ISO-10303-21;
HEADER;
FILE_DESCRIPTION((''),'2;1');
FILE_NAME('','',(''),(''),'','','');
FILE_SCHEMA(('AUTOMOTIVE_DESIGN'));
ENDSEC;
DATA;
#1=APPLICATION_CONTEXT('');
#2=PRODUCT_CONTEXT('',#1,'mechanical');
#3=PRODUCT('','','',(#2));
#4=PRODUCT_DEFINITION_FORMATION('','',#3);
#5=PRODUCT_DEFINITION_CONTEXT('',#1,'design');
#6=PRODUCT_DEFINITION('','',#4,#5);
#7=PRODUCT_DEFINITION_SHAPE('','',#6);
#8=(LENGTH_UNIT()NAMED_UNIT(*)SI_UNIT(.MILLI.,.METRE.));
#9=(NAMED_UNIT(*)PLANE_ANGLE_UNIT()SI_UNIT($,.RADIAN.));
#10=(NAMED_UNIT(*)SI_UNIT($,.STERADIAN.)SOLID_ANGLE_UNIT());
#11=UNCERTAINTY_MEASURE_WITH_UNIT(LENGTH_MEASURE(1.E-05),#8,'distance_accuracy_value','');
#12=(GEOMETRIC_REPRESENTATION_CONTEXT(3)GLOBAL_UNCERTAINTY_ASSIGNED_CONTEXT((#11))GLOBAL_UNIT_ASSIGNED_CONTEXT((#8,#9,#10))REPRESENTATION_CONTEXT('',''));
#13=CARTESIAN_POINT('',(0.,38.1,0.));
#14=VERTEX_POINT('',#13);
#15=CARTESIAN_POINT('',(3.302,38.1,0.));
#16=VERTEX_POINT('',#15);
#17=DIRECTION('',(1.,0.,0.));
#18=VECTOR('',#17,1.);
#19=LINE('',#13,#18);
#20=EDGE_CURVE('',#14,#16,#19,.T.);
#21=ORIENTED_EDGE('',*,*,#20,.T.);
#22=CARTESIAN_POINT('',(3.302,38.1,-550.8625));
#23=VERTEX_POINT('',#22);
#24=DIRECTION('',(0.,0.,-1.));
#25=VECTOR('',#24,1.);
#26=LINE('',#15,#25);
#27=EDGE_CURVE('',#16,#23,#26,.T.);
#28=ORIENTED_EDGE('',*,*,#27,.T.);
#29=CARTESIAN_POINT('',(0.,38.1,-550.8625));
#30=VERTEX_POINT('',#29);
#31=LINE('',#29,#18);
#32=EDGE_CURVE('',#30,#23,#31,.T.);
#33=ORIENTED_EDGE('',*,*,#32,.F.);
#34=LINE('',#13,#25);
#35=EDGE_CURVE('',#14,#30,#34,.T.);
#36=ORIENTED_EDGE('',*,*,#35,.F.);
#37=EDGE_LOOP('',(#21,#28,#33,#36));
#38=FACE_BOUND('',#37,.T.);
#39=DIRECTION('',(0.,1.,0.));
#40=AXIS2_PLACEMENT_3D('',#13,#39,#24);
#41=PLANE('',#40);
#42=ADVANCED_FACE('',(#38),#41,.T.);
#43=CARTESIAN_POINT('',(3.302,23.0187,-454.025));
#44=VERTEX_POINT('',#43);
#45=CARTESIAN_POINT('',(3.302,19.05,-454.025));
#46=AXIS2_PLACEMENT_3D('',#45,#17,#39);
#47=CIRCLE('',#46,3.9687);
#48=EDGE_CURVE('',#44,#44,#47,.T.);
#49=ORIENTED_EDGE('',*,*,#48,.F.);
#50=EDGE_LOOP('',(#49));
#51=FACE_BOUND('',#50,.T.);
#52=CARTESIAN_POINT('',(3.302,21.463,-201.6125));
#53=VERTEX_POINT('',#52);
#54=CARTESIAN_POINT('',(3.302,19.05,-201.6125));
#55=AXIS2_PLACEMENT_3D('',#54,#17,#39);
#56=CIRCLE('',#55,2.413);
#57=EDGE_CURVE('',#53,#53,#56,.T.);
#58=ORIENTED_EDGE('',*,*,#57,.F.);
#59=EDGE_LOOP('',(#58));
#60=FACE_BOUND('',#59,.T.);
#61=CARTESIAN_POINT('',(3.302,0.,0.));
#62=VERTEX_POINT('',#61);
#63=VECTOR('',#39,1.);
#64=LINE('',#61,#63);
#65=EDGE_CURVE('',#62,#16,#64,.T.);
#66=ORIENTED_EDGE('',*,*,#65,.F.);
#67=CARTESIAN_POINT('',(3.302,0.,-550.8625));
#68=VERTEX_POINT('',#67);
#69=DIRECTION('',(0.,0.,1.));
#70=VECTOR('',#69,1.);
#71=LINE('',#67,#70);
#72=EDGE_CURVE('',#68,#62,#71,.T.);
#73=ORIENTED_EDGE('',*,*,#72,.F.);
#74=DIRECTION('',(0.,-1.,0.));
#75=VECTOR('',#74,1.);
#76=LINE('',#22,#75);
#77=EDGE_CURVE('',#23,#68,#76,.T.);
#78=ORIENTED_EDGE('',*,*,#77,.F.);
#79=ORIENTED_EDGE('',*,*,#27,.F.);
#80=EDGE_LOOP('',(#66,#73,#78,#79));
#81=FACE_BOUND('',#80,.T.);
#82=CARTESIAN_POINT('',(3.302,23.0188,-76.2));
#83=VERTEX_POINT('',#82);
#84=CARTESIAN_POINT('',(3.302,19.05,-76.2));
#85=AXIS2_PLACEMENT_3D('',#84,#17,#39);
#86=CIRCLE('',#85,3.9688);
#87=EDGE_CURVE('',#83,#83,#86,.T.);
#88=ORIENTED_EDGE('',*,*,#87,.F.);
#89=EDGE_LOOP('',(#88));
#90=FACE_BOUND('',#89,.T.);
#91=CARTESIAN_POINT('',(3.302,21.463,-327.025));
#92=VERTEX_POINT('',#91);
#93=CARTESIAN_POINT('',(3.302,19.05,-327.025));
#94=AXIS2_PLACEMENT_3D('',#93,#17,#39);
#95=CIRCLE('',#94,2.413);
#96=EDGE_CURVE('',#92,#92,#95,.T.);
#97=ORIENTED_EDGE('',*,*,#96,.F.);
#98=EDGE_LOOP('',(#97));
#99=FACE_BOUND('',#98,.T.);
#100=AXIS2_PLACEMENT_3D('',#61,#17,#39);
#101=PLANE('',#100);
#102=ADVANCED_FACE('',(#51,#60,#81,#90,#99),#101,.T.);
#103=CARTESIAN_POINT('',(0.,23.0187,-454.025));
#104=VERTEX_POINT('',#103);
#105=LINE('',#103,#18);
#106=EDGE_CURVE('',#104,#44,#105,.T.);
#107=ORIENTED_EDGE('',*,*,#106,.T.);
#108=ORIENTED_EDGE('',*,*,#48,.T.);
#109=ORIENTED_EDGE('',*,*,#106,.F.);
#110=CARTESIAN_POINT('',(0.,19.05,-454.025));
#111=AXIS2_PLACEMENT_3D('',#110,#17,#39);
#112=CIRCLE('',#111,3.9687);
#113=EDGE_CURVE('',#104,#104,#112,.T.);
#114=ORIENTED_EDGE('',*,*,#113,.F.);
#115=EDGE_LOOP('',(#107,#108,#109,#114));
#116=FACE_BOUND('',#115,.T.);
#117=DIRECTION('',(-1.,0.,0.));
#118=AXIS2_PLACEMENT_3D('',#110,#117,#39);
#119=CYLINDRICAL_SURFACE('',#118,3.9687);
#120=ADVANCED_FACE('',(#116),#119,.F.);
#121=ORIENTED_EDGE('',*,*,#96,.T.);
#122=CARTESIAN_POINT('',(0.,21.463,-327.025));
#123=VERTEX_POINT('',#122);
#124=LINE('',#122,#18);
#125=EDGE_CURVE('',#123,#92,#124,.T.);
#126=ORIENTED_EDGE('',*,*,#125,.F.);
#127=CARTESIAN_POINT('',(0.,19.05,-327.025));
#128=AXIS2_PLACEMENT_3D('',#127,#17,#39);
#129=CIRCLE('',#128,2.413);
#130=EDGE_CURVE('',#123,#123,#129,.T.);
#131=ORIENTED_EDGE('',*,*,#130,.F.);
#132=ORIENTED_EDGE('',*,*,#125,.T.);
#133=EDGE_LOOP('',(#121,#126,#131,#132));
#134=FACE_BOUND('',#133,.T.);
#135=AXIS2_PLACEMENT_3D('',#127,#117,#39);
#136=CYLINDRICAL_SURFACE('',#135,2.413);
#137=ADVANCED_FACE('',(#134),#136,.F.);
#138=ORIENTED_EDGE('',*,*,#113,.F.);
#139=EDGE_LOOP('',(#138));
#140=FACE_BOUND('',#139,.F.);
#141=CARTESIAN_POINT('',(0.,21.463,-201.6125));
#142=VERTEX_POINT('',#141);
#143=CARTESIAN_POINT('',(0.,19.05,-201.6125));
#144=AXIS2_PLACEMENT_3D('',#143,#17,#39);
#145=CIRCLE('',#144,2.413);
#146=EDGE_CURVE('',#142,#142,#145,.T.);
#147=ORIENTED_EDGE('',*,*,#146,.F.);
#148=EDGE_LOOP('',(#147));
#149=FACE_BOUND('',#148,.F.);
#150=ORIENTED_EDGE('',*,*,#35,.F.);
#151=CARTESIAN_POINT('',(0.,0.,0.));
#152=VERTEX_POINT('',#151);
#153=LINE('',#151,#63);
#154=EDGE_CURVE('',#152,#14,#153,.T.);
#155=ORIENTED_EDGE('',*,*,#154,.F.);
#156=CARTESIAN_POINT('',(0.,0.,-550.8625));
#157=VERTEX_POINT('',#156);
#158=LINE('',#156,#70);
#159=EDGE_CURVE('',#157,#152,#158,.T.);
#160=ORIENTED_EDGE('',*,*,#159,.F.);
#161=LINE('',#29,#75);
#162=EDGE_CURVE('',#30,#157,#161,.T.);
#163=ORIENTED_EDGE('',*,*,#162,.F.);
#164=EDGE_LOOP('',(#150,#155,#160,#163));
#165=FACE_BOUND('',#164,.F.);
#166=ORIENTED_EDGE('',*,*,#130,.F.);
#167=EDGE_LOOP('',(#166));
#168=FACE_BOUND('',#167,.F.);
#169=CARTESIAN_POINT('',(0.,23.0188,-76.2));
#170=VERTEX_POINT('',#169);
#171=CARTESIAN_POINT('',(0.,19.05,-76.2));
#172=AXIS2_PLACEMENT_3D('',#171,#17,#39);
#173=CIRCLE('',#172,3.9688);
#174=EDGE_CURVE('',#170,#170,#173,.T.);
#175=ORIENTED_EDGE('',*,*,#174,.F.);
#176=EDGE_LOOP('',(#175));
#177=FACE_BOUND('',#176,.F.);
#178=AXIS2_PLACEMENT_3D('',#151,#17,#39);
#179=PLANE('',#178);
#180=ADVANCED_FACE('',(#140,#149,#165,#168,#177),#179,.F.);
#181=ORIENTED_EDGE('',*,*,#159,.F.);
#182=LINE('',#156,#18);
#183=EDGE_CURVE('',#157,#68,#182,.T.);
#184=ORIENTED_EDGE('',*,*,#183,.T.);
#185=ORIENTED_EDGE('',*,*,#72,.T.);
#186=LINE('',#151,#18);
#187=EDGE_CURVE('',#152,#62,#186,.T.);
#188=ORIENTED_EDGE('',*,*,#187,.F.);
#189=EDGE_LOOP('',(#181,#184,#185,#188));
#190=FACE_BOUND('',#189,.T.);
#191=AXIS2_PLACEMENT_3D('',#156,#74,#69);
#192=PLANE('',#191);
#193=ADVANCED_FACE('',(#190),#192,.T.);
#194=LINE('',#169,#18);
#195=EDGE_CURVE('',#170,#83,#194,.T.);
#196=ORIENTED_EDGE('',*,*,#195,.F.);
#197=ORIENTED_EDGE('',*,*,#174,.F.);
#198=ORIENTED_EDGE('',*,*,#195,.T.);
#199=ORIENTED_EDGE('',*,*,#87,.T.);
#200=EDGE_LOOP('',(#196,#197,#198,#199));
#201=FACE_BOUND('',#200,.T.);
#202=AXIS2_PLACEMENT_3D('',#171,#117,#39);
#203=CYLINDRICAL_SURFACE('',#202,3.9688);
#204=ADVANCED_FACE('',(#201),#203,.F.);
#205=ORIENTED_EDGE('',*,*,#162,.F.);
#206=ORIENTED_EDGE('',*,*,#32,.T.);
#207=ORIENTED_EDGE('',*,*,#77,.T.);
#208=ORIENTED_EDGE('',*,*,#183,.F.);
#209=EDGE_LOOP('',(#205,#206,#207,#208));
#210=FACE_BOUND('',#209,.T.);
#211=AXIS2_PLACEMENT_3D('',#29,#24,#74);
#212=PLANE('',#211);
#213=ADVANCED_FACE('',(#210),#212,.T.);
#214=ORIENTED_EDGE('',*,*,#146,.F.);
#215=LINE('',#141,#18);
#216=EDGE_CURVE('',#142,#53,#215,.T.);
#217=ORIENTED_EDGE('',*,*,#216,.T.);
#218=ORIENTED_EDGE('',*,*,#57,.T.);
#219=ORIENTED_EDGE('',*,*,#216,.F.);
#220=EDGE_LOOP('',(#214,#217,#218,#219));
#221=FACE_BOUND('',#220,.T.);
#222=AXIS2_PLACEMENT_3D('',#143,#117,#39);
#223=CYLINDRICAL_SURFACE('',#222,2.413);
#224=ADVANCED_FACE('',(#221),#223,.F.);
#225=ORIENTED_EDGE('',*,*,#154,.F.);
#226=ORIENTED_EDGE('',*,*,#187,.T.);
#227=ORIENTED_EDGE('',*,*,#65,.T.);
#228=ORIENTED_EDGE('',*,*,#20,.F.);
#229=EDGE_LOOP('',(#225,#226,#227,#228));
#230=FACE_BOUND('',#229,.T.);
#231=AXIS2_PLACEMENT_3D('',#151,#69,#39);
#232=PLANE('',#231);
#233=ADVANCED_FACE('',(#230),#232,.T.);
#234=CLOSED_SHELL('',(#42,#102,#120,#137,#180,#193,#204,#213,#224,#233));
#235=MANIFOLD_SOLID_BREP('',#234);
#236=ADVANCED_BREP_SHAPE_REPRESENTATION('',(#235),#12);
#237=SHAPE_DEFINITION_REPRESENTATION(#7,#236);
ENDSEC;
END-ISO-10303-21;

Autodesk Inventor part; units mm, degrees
ref_plane "YZ Plane" through (0, 0, 0) normal (1, 0, 0) x (0, 1, 0)
ref_plane "XZ Plane" through (0, 0, 0) normal (0, 1, 0) x (-1, 0, 0)
ref_plane "XY Plane" through (0, 0, 0) normal (0, 0, 1) x (1, 0, 0)
sketch "Sketch1" plane through (0, 0, 0) normal (1, 0, 0) x (0, 1, 0)
  line L0 (0, 0) -> (38.1, 0)
  line L1 (38.1, 0) -> (38.1, -550.8625)
  line L2 (38.1, -550.8625) -> (0, -550.8625)
  line L3 (0, -550.8625) -> (0, 0)
  line L4 (19.05, 0) -> (19.05, -550.8625) construction
  line L5 (38.1, -76.2) -> (0, -76.2) construction
  line L6 (38.1, -201.6125) -> (0, -201.6125) construction
  line L7 (38.1, -327.025) -> (0, -327.025) construction
  line L8 (38.1, -454.025) -> (0, -454.025) construction
  circle A0 centre (19.05, -201.6125) radius 2.413
  circle A1 centre (19.05, -327.025) radius 2.413
  circle A2 centre (19.05, -76.2) radius 3.9688
  circle A3 centre (19.05, -454.025) radius 3.9687
  dimension "d0" = 38.1
  dimension "d1" = 550.8625
  dimension "d2" = 76.2
  dimension "d3" = 201.6125
  dimension "d4" = 327.025
  dimension "d5" = 454.025
  dimension "d6" = 4.826
  dimension "d7" = 4.826
  dimension "d8" = 7.9375
  dimension "d9" = 7.9375
extrude "Extrusion1" add sketch "Sketch1" along normal blind 3.302
properties part number "side"
